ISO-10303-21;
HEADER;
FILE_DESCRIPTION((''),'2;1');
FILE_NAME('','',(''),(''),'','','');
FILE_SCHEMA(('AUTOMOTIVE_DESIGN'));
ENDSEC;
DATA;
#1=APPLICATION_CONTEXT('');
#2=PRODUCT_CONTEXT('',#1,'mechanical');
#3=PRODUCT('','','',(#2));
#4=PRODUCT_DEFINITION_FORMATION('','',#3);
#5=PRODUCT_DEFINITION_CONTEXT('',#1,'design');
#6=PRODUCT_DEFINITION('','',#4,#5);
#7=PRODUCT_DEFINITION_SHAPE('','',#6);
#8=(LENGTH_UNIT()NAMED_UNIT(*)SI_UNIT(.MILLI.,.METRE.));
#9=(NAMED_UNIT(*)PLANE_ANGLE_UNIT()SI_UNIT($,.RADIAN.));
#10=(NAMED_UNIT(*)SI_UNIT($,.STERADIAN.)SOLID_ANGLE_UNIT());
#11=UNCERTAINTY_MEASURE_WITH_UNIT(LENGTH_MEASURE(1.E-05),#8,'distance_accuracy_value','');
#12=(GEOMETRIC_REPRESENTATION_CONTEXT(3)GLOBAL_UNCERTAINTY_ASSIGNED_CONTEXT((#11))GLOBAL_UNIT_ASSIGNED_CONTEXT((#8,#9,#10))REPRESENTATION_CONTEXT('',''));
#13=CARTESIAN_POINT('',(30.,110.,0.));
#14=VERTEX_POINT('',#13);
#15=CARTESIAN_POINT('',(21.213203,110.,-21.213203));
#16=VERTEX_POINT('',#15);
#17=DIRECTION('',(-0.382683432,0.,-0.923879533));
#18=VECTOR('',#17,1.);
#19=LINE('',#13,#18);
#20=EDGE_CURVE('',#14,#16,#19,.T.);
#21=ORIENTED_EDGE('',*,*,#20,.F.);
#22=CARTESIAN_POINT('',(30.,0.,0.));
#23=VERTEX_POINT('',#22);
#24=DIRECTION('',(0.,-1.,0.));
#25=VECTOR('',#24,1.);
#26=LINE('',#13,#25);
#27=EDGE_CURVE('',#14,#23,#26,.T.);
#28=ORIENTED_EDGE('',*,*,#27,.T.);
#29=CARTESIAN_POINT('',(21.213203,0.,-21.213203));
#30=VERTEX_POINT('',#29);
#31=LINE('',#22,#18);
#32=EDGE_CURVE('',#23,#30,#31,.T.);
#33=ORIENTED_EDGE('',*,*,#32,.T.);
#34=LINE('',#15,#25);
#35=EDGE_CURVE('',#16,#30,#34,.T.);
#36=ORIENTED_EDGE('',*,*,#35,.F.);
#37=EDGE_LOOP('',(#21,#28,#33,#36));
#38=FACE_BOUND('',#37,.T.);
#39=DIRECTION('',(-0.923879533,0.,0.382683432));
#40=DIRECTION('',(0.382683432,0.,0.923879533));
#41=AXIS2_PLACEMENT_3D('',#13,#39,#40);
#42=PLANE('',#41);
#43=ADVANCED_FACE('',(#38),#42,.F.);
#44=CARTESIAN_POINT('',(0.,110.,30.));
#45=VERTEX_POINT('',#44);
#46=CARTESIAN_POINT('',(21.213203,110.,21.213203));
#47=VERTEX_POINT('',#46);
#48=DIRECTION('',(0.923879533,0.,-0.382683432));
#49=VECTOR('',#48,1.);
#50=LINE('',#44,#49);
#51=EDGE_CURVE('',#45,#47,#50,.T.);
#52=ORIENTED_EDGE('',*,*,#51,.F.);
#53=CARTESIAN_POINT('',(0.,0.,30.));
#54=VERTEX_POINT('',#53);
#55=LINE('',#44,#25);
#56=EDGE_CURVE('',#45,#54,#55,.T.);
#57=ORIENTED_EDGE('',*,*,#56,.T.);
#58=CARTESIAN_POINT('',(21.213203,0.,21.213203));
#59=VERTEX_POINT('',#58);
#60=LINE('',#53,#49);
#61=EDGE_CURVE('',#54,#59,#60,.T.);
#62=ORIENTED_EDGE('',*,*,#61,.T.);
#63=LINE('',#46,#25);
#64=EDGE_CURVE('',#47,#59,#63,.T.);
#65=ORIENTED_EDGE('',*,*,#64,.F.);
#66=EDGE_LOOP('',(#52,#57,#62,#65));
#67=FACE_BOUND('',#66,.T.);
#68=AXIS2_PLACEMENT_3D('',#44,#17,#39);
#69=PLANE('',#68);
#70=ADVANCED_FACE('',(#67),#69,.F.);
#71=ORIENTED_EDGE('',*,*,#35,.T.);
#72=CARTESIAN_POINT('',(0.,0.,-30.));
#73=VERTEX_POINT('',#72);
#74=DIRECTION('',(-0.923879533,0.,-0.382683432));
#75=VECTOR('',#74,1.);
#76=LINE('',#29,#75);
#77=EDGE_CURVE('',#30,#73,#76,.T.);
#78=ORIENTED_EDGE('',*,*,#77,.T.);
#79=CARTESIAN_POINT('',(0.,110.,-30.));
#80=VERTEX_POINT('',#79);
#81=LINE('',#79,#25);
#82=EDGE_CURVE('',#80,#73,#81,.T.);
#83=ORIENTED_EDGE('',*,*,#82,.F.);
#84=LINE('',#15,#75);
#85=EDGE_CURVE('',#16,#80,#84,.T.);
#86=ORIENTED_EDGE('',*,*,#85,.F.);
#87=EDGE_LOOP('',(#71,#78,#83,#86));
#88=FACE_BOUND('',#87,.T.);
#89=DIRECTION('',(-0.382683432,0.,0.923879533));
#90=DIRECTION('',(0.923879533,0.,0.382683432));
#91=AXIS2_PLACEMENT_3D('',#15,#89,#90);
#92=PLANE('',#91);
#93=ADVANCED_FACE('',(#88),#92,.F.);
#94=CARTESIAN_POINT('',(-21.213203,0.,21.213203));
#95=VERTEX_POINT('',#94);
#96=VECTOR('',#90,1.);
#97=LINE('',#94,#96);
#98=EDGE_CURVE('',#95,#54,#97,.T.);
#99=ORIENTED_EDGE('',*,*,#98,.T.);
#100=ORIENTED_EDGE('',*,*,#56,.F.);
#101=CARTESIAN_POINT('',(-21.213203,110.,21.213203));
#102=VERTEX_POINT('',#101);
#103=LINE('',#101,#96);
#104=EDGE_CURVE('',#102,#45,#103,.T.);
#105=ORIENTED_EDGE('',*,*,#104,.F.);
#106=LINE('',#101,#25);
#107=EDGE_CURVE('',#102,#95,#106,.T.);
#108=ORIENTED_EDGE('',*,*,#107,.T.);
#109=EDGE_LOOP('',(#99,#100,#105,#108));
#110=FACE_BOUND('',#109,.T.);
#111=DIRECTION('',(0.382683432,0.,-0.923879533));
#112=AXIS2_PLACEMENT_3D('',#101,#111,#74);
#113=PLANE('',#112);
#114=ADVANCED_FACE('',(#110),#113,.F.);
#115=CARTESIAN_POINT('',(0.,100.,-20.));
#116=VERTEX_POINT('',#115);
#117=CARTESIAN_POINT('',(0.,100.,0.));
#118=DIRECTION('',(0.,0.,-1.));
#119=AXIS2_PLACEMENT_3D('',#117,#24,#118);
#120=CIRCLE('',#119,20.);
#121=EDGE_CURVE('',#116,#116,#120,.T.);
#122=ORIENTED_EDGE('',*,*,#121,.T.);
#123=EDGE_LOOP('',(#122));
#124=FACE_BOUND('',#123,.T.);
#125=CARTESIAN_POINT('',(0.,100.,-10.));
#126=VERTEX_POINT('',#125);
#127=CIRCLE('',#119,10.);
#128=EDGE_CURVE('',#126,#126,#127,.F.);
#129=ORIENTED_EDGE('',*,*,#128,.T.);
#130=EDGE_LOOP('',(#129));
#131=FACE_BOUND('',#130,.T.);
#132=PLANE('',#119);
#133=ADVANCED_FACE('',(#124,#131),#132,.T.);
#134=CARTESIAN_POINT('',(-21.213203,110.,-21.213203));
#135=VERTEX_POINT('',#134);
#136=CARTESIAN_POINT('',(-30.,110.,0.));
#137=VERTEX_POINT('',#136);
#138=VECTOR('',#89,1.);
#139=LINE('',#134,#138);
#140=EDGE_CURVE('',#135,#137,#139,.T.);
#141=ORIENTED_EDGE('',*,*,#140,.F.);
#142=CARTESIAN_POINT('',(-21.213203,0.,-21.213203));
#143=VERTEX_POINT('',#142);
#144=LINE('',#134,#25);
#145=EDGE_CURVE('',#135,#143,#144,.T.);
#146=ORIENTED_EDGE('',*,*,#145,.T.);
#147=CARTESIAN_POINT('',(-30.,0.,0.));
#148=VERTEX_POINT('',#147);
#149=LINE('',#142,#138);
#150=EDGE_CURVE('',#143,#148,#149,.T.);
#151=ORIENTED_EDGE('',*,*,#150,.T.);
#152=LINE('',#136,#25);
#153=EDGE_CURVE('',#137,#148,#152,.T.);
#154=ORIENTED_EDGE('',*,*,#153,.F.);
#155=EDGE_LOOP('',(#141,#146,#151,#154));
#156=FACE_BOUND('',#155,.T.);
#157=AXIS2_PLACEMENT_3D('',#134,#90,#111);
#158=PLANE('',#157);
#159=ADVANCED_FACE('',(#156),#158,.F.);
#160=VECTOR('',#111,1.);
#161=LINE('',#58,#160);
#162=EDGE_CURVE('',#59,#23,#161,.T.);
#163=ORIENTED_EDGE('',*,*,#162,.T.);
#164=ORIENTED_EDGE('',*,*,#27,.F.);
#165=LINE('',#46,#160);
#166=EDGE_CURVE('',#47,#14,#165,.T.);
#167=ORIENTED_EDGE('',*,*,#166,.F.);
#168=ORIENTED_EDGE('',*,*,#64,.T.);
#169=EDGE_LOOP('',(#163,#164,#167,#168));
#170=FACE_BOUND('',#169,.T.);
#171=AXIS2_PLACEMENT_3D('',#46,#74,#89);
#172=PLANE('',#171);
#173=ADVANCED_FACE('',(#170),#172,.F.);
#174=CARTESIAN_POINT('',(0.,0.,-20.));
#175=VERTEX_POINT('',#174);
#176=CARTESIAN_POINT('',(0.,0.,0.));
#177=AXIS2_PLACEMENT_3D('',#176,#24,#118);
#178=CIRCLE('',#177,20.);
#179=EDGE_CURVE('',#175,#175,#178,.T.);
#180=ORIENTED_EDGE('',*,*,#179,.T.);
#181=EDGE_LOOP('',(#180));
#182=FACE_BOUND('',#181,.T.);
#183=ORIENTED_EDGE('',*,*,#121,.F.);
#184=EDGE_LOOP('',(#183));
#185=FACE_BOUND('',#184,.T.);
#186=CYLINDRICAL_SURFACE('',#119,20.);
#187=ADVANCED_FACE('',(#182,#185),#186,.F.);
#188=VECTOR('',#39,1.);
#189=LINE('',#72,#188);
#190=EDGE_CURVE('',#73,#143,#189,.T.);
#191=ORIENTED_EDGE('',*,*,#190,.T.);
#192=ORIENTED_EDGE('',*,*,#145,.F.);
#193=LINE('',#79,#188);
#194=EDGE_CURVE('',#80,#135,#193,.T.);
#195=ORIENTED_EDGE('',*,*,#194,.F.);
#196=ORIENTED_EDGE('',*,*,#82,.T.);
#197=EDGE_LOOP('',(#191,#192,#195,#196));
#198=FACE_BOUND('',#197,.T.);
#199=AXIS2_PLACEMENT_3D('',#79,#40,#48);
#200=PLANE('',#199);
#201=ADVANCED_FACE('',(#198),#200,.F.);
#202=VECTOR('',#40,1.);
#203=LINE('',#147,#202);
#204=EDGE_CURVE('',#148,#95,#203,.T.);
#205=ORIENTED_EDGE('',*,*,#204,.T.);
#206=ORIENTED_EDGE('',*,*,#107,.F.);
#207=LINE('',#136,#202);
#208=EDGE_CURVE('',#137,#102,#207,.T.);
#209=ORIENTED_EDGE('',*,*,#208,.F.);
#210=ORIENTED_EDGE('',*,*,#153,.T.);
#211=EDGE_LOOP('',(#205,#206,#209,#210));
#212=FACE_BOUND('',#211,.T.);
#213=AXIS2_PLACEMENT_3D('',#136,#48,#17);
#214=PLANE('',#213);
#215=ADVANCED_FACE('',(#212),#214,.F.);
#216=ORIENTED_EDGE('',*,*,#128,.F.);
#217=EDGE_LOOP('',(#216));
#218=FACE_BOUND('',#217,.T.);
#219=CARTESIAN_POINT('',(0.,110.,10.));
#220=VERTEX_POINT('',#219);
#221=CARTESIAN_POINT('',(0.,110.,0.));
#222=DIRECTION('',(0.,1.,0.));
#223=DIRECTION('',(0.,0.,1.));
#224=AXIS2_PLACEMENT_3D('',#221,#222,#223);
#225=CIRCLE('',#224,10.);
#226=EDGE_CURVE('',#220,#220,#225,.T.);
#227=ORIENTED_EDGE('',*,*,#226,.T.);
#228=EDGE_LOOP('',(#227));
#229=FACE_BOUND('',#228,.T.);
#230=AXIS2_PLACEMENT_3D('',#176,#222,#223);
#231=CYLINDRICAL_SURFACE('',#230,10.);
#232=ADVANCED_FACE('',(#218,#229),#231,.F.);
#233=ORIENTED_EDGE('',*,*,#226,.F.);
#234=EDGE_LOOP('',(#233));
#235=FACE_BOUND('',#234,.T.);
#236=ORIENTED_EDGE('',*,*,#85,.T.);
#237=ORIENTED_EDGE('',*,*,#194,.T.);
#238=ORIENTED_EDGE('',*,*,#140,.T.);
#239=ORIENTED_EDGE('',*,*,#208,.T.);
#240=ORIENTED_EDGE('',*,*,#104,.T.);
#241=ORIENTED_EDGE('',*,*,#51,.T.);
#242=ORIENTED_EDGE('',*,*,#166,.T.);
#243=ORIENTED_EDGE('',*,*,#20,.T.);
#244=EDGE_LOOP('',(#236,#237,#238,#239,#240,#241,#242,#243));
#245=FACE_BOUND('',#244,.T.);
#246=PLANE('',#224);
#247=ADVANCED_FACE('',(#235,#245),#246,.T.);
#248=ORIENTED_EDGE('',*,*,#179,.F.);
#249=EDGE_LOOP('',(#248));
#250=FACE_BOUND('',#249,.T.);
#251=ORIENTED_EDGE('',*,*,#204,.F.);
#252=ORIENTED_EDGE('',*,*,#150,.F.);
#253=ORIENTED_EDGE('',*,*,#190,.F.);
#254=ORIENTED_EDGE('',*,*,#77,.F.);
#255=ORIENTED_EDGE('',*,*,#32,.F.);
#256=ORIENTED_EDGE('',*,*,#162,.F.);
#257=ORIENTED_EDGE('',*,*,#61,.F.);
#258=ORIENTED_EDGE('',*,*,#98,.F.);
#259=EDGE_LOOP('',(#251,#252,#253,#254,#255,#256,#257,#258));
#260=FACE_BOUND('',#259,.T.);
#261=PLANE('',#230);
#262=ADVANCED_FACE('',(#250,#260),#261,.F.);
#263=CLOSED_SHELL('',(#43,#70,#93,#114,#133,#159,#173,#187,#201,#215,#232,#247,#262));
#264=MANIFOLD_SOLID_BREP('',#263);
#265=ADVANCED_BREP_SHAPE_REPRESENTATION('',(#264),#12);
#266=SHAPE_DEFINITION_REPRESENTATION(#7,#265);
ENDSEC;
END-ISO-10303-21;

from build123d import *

# Parameters (mm, degrees)
BOSS_EXTRUDE1_DEPTH = 110
SKETCH2_R           = 10
CUT_EXTRUDE1_DEPTH  = 110
SKETCH3_R           = 20
CUT_EXTRUDE2_DEPTH  = 100


with BuildPart() as part:
    # Sketch1 → Boss-Extrude1 (new body)
    with BuildSketch(Plane(origin=(0, 0, 0), x_dir=(1, 0, 0), z_dir=(0, 1, 0))):
        Polygon((30, 0), (21.213203436, 21.213203436), (0, 30), (-21.213203436, 21.213203436), (-30, 0), (-21.213203436, -21.213203436), (0, -30), (21.213203436, -21.213203436), align=None)
    extrude(amount=BOSS_EXTRUDE1_DEPTH)

    # Sketch2 → Cut-Extrude1 (cut)
    with BuildSketch(Plane(origin=(0, 110, 0), x_dir=(1, 0, 0), z_dir=(0, 1, 0))):
        with Locations(Location((0, 0, 0), (0, 0, 270))):
            Circle(SKETCH2_R)
    extrude(amount=-CUT_EXTRUDE1_DEPTH, mode=Mode.SUBTRACT)

    # Sketch3 → Cut-Extrude2 (cut)
    with BuildSketch(Plane.XZ):
        with Locations(Location((0, 0, 0), (0, 0, 270))):
            Circle(SKETCH3_R)
    extrude(amount=-CUT_EXTRUDE2_DEPTH, mode=Mode.SUBTRACT)


solid = part.part
